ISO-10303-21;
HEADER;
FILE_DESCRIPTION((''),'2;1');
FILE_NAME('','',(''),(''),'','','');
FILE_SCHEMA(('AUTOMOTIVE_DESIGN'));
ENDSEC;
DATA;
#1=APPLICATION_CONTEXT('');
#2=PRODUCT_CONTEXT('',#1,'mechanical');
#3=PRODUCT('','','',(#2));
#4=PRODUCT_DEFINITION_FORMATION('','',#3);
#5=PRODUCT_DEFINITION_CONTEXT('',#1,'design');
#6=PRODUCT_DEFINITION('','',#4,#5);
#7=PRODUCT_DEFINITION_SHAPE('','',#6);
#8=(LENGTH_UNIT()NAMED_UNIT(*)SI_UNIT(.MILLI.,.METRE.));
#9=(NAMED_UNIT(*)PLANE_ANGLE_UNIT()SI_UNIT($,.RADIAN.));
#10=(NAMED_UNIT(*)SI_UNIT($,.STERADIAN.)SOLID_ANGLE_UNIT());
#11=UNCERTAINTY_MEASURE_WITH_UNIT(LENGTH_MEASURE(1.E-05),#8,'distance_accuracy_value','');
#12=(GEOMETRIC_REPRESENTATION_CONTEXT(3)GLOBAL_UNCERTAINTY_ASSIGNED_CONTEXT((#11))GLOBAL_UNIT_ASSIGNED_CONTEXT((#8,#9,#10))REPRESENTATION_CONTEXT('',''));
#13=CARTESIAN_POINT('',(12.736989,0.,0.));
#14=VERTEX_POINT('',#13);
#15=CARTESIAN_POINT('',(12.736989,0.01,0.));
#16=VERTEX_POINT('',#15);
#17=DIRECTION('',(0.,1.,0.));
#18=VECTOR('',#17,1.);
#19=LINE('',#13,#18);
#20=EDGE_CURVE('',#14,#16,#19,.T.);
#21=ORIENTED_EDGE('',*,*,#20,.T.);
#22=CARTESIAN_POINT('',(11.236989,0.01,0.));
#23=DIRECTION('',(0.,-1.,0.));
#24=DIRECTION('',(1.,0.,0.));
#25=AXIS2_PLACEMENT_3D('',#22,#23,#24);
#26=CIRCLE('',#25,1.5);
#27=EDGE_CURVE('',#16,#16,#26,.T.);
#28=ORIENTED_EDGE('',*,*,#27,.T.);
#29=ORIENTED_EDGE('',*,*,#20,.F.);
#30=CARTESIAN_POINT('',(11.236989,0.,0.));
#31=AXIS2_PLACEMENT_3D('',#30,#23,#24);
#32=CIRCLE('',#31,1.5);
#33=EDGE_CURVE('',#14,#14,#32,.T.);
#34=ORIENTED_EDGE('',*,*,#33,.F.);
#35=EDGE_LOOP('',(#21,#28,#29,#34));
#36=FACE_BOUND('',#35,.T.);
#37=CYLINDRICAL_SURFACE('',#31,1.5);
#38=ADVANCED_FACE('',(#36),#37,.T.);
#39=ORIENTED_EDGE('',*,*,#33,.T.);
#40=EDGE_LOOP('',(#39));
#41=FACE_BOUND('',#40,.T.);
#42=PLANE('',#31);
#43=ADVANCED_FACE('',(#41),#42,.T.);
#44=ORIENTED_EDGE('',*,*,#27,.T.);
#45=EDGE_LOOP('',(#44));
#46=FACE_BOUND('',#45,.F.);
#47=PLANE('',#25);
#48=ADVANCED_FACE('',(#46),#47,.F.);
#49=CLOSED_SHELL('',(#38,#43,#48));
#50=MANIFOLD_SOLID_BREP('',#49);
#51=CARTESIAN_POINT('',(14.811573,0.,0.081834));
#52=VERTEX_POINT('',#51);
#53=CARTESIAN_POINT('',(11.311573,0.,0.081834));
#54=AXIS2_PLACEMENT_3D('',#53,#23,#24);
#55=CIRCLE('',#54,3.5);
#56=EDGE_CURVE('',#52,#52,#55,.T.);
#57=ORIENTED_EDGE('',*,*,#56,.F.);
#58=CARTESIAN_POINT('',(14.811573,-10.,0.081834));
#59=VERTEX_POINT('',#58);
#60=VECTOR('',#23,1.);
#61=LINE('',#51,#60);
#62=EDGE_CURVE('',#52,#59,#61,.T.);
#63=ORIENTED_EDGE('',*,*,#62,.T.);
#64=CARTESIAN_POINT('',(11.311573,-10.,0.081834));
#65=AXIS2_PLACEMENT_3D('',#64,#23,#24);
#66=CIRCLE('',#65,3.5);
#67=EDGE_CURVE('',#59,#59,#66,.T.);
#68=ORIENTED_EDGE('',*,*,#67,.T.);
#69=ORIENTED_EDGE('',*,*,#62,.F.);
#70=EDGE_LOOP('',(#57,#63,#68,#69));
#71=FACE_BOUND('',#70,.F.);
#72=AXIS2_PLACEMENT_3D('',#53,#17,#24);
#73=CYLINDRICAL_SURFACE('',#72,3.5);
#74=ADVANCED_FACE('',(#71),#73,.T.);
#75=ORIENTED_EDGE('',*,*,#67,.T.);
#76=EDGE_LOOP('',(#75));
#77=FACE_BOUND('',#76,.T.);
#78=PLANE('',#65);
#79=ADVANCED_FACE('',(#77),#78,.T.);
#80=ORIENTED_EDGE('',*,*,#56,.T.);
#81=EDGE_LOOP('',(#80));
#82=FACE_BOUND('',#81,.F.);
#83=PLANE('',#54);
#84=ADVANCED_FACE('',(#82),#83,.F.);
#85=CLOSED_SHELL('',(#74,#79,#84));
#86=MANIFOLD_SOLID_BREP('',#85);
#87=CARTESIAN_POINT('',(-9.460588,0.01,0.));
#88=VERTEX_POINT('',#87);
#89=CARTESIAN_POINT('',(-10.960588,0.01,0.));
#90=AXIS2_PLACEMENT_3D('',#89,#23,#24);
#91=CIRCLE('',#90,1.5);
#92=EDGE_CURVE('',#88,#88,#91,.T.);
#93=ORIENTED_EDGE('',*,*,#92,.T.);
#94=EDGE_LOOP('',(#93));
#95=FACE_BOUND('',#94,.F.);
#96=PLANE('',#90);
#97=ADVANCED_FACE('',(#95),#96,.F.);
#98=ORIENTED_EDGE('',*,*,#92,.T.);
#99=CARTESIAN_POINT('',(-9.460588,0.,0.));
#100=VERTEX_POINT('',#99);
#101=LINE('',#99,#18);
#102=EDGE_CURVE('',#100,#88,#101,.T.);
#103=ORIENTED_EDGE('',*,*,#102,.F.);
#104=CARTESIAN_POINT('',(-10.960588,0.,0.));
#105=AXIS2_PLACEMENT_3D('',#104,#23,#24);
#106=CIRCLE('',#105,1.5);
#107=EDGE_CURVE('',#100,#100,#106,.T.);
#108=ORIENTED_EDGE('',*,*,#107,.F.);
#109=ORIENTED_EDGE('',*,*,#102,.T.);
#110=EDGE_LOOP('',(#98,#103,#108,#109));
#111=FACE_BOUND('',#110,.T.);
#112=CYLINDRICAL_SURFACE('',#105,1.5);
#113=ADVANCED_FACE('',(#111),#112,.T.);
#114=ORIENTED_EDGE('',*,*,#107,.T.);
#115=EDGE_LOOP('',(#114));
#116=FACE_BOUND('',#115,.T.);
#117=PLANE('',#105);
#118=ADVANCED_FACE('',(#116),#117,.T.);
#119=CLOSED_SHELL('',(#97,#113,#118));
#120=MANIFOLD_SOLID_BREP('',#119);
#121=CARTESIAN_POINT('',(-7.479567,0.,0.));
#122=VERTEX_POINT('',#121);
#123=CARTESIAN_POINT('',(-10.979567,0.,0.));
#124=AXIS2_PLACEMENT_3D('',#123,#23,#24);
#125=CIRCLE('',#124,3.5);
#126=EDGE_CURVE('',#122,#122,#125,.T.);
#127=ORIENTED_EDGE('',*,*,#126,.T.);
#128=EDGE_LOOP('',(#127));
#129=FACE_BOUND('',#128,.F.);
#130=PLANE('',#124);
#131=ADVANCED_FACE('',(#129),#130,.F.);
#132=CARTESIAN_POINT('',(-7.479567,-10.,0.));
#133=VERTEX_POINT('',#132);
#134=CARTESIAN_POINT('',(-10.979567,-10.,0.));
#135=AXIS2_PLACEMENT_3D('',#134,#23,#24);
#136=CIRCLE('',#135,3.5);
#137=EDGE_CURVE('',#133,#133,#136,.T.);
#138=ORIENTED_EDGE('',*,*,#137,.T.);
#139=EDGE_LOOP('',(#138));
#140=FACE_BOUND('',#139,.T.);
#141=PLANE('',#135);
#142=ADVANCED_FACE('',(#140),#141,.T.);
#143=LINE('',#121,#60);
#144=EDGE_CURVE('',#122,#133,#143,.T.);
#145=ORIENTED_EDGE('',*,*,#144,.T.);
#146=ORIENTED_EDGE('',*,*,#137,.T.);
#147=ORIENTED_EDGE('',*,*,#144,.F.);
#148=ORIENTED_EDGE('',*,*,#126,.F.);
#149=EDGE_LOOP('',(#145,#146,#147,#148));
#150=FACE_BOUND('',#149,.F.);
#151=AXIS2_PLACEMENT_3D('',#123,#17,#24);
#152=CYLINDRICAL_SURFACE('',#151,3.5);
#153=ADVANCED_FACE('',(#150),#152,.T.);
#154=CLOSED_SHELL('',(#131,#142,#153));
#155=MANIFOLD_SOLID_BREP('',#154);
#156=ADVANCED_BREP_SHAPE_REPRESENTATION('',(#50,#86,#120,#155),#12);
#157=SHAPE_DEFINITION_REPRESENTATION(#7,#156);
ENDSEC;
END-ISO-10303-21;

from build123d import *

# Parameters (mm, degrees)
F0_R     = 3.5
F1_DEPTH = 10
F2_R     = 1.5
F3_DEPTH = 0.01


with BuildPart() as f1:
    # F0 (on Front) → F1 (new body)
    with BuildSketch(Plane.XZ):
        with Locations((-10.979567, 0)):
            Circle(F0_R)
        with Locations((11.311573, 0.081834)):
            Circle(F0_R)
    extrude(amount=F1_DEPTH)


with BuildPart() as f3:
    # F2 (on Front) → F3 (new body)
    with BuildSketch(Plane.XZ):
        with Locations((-10.960588, 0)):
            Circle(F2_R)
        with Locations((11.236989, 0)):
            Circle(F2_R)
    extrude(amount=-F3_DEPTH)


solid = Compound([f1.part, f3.part])
